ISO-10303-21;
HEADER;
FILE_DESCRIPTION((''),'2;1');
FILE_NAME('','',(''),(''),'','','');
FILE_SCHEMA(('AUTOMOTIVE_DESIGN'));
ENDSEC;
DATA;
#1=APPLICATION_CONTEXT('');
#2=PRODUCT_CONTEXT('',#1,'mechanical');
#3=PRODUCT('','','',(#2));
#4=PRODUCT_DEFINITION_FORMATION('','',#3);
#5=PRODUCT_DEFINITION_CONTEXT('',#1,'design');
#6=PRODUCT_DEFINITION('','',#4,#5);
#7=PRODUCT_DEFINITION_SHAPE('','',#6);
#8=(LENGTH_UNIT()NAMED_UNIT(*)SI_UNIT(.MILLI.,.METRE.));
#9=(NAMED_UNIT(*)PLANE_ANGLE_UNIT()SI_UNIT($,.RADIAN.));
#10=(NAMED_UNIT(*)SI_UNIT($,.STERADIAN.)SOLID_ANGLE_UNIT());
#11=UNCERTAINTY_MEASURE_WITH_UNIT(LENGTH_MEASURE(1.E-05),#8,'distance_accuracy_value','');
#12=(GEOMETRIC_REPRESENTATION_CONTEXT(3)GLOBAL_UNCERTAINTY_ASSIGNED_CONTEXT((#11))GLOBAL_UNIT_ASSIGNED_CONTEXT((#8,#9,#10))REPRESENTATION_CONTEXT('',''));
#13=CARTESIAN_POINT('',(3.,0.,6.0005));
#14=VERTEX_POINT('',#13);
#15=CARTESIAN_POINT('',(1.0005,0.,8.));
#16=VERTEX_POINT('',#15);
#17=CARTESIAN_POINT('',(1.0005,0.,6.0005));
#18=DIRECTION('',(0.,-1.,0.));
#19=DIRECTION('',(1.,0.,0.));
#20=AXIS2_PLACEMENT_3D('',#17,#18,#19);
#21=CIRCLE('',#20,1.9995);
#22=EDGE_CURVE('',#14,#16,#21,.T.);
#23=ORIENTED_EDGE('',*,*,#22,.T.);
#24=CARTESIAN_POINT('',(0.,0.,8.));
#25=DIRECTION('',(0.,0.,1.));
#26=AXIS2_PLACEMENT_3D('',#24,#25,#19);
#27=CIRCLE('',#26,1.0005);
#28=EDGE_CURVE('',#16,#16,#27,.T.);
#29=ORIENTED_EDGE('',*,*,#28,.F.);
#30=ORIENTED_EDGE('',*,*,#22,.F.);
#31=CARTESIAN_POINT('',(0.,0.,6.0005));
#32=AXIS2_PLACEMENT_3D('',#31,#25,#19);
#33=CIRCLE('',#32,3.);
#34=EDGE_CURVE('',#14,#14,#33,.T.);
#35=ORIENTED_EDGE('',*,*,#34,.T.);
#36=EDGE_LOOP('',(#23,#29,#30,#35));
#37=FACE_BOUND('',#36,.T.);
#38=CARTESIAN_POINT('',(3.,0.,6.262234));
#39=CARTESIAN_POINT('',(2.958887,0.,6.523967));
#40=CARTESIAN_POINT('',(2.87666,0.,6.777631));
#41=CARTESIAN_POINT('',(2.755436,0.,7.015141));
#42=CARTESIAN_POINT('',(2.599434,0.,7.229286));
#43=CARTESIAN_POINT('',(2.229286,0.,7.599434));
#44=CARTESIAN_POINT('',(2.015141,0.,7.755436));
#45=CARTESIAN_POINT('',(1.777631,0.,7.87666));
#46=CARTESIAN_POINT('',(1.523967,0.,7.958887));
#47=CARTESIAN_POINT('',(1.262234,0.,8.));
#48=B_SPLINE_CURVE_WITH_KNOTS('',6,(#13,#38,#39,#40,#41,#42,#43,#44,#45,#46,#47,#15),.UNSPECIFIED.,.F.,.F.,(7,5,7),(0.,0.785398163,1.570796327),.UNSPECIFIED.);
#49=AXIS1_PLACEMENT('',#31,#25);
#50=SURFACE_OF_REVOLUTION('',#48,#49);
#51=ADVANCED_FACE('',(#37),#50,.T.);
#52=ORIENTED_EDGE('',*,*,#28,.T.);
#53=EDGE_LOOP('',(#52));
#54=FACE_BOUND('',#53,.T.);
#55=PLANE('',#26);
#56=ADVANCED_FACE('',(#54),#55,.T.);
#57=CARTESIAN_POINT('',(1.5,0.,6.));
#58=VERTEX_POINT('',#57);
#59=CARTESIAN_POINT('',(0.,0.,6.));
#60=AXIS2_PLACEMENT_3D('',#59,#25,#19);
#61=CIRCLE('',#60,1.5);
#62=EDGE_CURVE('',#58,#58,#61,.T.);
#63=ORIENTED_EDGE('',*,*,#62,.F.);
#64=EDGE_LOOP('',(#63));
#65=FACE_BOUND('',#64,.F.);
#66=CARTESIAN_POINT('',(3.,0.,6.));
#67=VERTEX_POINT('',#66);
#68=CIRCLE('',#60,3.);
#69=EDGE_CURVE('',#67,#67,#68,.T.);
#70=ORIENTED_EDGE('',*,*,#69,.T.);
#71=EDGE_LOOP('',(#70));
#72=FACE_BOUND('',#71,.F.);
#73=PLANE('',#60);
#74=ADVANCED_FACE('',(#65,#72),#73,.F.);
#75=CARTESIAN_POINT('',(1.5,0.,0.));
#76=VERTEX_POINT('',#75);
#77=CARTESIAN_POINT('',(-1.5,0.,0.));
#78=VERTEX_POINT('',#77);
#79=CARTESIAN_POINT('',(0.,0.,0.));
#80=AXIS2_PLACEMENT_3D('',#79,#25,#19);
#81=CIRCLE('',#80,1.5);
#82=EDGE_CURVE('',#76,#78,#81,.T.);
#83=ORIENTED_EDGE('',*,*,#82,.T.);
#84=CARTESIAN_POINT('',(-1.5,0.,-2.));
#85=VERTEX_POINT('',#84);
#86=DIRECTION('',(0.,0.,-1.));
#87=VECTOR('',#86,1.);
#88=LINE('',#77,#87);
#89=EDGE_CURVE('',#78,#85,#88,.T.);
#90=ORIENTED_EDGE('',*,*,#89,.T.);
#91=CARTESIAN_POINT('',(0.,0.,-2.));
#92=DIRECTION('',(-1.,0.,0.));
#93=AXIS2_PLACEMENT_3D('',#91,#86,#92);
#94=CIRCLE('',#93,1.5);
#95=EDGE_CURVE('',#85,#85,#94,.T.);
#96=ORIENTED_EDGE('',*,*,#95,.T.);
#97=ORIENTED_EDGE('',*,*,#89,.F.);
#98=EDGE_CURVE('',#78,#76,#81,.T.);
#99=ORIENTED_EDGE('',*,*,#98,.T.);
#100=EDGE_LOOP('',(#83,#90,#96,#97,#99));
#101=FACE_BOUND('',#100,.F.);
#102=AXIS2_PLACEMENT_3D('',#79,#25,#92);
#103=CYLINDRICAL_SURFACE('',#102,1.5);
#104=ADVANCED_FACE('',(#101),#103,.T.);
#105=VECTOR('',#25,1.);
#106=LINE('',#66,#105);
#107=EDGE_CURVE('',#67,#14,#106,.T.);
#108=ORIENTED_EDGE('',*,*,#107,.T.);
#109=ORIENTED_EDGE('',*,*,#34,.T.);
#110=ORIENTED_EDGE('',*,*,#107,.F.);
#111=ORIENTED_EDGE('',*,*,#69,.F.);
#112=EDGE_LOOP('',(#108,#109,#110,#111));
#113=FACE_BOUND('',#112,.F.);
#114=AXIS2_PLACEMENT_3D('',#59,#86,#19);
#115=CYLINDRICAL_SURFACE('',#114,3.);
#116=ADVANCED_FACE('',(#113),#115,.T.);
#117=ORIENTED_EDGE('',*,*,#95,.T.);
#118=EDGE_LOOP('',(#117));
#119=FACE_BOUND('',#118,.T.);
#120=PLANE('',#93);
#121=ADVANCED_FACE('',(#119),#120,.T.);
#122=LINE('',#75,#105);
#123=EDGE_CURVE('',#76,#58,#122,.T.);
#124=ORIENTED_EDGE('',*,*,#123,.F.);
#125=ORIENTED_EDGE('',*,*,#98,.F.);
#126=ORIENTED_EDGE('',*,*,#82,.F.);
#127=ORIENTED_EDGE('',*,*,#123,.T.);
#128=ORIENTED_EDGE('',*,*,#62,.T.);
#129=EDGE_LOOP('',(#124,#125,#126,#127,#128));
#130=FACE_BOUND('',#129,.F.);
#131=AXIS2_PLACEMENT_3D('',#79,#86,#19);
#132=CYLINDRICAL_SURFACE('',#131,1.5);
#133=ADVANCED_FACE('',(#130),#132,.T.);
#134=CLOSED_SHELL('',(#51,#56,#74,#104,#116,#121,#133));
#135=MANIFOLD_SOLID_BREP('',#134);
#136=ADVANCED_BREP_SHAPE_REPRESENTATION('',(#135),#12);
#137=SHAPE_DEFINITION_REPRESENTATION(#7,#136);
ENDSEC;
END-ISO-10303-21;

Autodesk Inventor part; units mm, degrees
ref_plane "YZ Plane" through (0, 0, 0) normal (1, 0, 0) x (0, 1, 0)
ref_plane "XZ Plane" through (0, 0, 0) normal (0, 1, 0) x (-1, 0, 0)
ref_plane "XY Plane" through (0, 0, 0) normal (0, 0, 1) x (1, 0, 0)
sketch "スケッチ1" plane through (0, 0, 0) normal (0, 0, 1) x (1, 0, 0)
  circle A0 centre (0, 0) radius 1.5
  dimension "d0" = 3
extrude "押し出し1" add sketch "スケッチ1" along normal blind 6
sketch "スケッチ2" plane through (0, 0, 6) normal (0, 0, 1) x (1, 0, 0)
  circle A0 centre (0, 0) radius 1.5 projected
  circle A1 centre (0, 0) radius 3
  dimension "d3" = 6
extrude "押し出し2" add sketch "スケッチ2" along normal blind 2 contours A0 | A1
fillet "フィレット1" radius 2 1 edges at (-3, 0, 8)
thread "ねじ1" size "M3x0.5" class "6g" standard "ANSI Metric M Profile" full length
sketch "スケッチ3" plane through (0, 0, 0) normal (0, 0, -1) x (-1, 0, 0)
  circle A0 centre (0, 0) radius 1.5 projected
extrude "押し出し3" add sketch "スケッチ3" along normal blind 2
properties part number "SB　8mmなべネジ" material "Steel, Mild"
